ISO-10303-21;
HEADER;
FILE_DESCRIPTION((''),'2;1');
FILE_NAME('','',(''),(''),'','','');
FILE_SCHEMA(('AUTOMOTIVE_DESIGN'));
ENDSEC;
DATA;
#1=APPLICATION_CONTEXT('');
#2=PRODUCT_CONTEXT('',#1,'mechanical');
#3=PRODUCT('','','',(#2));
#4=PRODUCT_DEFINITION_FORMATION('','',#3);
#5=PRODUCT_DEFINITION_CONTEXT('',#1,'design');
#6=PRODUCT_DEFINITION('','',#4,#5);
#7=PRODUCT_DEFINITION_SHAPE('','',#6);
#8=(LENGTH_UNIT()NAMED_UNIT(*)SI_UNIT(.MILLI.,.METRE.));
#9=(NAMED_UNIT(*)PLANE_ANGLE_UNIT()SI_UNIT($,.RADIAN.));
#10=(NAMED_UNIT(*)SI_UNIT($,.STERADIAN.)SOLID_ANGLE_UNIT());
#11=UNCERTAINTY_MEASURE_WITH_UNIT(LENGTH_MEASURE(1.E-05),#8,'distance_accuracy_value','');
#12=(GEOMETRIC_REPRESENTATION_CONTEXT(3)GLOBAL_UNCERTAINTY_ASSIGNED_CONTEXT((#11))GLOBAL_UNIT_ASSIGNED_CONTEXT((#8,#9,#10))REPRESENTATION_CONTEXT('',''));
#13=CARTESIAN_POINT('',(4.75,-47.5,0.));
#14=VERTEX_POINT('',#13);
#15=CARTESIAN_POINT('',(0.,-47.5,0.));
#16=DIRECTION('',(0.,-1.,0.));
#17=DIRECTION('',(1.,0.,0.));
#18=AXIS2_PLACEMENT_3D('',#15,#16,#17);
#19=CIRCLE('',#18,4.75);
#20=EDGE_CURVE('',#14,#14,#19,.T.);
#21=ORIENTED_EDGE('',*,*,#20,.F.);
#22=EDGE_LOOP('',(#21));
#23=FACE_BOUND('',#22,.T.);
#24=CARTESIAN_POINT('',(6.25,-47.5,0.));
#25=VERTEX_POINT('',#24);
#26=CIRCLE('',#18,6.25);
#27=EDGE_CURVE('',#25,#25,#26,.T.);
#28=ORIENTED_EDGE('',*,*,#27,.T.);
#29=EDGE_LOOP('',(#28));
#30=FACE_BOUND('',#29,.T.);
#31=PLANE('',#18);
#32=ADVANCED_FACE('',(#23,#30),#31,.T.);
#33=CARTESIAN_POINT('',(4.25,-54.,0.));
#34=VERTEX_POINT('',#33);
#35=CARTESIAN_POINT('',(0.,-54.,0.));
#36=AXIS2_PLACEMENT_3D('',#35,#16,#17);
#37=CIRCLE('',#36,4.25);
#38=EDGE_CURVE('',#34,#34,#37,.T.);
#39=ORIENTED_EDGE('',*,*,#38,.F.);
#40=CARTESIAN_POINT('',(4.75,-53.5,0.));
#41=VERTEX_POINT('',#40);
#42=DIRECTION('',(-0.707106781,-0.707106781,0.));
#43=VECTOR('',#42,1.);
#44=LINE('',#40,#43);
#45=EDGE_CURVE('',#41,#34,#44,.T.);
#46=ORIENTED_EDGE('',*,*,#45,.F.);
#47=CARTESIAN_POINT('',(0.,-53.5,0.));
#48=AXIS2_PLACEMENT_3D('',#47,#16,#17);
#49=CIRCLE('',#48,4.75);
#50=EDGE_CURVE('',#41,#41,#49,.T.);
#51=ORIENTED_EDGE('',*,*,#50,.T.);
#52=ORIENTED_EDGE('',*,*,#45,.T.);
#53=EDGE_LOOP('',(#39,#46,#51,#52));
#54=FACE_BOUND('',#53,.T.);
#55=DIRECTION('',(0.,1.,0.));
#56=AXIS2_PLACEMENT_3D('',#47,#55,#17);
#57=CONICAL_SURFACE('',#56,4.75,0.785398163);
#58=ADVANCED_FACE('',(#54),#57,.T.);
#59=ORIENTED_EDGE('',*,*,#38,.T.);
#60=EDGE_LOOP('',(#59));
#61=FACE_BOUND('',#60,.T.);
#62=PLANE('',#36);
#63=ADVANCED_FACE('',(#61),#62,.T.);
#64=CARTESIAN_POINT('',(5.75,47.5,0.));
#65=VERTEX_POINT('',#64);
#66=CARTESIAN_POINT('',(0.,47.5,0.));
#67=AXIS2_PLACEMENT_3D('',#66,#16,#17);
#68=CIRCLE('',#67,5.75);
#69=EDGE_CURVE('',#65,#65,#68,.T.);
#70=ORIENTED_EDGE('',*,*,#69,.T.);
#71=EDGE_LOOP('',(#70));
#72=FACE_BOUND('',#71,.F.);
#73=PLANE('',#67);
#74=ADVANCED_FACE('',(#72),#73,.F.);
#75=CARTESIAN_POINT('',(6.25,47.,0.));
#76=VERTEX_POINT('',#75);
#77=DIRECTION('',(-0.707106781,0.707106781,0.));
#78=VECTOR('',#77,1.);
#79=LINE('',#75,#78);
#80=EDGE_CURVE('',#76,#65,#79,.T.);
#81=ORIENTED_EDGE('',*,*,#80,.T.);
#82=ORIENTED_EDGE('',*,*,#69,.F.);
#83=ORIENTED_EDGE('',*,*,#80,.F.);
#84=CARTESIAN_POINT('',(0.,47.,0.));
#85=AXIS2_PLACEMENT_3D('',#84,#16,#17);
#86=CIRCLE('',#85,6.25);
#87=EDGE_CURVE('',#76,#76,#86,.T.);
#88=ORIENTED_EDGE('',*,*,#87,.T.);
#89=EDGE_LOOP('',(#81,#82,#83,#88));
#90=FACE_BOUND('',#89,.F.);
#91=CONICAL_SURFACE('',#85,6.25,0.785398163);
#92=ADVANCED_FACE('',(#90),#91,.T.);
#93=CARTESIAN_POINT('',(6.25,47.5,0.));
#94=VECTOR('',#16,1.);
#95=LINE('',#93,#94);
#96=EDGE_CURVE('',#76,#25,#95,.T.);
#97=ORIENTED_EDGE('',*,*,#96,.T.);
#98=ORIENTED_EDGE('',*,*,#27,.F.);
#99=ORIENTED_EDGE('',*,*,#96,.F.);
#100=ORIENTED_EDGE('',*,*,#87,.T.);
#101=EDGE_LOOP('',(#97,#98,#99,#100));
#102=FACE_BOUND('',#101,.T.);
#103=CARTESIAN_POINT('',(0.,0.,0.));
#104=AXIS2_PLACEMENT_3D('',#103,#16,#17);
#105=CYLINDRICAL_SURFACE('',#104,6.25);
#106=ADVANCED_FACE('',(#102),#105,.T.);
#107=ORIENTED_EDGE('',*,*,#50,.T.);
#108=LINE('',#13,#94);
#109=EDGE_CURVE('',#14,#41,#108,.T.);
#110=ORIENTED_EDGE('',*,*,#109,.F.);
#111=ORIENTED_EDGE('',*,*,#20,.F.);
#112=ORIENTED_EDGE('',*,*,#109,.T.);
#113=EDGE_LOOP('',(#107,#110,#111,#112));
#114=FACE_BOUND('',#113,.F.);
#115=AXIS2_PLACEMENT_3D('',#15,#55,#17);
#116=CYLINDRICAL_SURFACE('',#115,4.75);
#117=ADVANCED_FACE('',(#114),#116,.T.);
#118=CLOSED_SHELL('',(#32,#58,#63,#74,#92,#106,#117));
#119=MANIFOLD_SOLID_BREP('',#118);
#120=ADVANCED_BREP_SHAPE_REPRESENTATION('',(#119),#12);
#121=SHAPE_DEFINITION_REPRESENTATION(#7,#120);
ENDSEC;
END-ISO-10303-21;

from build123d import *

# Parameters (mm, degrees)
F0_R     = 6.25
F1_DEPTH = 47.5
F2_R     = 4.75
F3_DEPTH = 6.5
F4_SIZE  = 0.5


with BuildPart() as f1:
    # F0 (on Front) → F1 (new body, symmetric)
    with BuildSketch(Plane.XZ):
        Circle(F0_R)
    extrude(amount=F1_DEPTH, both=True)

    # F2 (on face) → F3 (join)
    with BuildSketch(Plane.XZ.offset(47.5)):
        Circle(F2_R)
    extrude(amount=F3_DEPTH)

    # F4
    f4_edges = [f1.edges().sort_by_distance(p)[0] for p in [
        (-4.75, -54, 0),
        (-6.25, 47.5, 0),
    ]]
    chamfer(f4_edges, length=F4_SIZE)


solid = f1.part
